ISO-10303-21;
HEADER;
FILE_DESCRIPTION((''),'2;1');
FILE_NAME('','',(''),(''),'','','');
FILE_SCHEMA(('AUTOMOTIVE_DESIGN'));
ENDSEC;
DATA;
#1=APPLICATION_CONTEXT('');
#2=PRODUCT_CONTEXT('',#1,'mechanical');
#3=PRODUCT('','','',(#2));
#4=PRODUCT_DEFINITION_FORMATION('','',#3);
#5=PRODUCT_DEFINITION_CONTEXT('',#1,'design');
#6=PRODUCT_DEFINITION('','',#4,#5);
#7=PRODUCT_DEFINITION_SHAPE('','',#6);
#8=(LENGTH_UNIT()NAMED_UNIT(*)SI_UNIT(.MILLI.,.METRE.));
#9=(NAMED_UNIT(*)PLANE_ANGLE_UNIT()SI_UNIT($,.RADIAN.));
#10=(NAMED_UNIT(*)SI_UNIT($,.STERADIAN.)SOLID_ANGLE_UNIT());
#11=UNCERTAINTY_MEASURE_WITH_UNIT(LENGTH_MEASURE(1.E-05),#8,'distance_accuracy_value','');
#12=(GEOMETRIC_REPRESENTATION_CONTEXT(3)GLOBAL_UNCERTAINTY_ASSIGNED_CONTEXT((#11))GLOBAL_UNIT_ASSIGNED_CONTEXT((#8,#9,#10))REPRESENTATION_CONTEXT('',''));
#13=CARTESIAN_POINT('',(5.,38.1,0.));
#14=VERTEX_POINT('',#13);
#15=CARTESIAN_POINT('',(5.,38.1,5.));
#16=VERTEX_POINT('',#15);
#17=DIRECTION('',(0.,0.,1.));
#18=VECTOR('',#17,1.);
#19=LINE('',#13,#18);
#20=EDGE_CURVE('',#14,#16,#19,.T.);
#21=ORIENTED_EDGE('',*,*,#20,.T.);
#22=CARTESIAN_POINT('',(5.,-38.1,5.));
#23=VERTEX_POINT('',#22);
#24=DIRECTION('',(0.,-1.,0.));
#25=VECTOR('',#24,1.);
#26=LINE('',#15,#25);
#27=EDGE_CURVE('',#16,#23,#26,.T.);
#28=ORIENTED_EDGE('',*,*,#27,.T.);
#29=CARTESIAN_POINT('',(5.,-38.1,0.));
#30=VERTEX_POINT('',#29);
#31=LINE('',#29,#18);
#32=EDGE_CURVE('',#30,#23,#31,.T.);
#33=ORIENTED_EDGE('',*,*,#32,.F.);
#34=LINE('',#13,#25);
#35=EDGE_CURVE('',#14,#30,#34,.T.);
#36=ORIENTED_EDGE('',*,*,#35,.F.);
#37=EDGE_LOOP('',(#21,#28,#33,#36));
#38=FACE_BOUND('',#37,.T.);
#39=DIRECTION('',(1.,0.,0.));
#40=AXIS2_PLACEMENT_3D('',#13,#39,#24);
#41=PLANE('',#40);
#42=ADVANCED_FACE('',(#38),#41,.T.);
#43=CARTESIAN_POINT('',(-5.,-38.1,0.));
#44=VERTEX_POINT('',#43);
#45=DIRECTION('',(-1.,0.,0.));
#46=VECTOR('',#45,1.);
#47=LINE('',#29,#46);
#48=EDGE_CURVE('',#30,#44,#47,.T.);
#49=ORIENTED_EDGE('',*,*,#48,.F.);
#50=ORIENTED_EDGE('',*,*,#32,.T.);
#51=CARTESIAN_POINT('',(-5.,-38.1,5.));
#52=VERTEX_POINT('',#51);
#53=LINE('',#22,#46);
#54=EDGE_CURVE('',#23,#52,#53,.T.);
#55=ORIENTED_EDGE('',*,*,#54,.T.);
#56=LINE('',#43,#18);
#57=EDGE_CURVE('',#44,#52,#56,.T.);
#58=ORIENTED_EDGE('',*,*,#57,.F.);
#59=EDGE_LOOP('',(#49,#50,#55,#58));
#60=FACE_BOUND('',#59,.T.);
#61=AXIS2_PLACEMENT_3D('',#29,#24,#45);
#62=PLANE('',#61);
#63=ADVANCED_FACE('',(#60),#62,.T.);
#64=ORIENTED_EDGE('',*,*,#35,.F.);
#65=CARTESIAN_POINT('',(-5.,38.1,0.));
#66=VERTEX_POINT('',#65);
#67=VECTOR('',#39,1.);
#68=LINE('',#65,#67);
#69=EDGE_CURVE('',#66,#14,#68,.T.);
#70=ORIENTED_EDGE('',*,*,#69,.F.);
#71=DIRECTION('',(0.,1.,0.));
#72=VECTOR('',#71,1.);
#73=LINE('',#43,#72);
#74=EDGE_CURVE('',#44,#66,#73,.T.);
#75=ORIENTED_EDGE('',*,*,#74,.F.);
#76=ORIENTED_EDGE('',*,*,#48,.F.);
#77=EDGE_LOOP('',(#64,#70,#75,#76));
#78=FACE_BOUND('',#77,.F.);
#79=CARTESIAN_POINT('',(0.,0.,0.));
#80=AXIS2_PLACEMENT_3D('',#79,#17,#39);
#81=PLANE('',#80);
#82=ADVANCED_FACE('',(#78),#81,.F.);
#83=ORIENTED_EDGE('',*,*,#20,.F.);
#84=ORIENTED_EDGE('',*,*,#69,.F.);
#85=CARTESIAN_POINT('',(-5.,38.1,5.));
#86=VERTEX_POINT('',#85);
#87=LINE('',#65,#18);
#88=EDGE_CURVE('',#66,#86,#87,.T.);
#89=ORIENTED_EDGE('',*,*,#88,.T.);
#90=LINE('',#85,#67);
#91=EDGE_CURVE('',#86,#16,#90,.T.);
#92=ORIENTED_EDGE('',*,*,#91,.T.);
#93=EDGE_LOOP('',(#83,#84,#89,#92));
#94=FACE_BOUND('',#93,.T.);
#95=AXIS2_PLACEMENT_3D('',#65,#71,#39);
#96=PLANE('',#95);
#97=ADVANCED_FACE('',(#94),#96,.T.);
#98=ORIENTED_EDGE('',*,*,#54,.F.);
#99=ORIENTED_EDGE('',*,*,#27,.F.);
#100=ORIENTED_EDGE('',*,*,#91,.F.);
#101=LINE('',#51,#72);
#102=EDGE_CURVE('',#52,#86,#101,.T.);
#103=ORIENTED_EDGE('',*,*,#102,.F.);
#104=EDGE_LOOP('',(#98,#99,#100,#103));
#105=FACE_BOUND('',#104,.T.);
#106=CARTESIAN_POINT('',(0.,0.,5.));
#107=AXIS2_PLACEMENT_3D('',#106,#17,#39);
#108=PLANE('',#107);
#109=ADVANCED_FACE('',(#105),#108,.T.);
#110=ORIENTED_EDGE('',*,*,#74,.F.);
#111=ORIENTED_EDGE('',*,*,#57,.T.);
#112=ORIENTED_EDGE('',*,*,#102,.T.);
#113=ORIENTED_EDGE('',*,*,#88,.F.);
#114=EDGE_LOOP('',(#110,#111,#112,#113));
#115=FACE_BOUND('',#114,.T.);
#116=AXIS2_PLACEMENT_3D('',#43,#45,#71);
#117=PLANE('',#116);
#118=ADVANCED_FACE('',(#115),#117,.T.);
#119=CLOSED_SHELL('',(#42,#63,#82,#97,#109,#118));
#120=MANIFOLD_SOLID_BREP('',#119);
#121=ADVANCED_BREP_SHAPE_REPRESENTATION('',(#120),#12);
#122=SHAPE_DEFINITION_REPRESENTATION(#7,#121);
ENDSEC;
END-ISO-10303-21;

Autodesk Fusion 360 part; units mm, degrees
sketch "Sketch1" plane through (0, 0, 0) normal (0, 0, 1) x (1, 0, 0)
  line L0 (5, -38.1) -> (-5, -38.1)
  line L1 (-5, -38.1) -> (-5, 38.1)
  line L2 (-5, 38.1) -> (5, 38.1)
  line L3 (5, 38.1) -> (5, -38.1)
  line L4 (5, -38.1) -> (-5, 38.1) construction
  line L5 (-5, -38.1) -> (5, 38.1) construction
  dimension "d1" = 10
  dimension "d2" = 76.2
extrude "Extrude1" add sketch "Sketch1" along normal blind 5
